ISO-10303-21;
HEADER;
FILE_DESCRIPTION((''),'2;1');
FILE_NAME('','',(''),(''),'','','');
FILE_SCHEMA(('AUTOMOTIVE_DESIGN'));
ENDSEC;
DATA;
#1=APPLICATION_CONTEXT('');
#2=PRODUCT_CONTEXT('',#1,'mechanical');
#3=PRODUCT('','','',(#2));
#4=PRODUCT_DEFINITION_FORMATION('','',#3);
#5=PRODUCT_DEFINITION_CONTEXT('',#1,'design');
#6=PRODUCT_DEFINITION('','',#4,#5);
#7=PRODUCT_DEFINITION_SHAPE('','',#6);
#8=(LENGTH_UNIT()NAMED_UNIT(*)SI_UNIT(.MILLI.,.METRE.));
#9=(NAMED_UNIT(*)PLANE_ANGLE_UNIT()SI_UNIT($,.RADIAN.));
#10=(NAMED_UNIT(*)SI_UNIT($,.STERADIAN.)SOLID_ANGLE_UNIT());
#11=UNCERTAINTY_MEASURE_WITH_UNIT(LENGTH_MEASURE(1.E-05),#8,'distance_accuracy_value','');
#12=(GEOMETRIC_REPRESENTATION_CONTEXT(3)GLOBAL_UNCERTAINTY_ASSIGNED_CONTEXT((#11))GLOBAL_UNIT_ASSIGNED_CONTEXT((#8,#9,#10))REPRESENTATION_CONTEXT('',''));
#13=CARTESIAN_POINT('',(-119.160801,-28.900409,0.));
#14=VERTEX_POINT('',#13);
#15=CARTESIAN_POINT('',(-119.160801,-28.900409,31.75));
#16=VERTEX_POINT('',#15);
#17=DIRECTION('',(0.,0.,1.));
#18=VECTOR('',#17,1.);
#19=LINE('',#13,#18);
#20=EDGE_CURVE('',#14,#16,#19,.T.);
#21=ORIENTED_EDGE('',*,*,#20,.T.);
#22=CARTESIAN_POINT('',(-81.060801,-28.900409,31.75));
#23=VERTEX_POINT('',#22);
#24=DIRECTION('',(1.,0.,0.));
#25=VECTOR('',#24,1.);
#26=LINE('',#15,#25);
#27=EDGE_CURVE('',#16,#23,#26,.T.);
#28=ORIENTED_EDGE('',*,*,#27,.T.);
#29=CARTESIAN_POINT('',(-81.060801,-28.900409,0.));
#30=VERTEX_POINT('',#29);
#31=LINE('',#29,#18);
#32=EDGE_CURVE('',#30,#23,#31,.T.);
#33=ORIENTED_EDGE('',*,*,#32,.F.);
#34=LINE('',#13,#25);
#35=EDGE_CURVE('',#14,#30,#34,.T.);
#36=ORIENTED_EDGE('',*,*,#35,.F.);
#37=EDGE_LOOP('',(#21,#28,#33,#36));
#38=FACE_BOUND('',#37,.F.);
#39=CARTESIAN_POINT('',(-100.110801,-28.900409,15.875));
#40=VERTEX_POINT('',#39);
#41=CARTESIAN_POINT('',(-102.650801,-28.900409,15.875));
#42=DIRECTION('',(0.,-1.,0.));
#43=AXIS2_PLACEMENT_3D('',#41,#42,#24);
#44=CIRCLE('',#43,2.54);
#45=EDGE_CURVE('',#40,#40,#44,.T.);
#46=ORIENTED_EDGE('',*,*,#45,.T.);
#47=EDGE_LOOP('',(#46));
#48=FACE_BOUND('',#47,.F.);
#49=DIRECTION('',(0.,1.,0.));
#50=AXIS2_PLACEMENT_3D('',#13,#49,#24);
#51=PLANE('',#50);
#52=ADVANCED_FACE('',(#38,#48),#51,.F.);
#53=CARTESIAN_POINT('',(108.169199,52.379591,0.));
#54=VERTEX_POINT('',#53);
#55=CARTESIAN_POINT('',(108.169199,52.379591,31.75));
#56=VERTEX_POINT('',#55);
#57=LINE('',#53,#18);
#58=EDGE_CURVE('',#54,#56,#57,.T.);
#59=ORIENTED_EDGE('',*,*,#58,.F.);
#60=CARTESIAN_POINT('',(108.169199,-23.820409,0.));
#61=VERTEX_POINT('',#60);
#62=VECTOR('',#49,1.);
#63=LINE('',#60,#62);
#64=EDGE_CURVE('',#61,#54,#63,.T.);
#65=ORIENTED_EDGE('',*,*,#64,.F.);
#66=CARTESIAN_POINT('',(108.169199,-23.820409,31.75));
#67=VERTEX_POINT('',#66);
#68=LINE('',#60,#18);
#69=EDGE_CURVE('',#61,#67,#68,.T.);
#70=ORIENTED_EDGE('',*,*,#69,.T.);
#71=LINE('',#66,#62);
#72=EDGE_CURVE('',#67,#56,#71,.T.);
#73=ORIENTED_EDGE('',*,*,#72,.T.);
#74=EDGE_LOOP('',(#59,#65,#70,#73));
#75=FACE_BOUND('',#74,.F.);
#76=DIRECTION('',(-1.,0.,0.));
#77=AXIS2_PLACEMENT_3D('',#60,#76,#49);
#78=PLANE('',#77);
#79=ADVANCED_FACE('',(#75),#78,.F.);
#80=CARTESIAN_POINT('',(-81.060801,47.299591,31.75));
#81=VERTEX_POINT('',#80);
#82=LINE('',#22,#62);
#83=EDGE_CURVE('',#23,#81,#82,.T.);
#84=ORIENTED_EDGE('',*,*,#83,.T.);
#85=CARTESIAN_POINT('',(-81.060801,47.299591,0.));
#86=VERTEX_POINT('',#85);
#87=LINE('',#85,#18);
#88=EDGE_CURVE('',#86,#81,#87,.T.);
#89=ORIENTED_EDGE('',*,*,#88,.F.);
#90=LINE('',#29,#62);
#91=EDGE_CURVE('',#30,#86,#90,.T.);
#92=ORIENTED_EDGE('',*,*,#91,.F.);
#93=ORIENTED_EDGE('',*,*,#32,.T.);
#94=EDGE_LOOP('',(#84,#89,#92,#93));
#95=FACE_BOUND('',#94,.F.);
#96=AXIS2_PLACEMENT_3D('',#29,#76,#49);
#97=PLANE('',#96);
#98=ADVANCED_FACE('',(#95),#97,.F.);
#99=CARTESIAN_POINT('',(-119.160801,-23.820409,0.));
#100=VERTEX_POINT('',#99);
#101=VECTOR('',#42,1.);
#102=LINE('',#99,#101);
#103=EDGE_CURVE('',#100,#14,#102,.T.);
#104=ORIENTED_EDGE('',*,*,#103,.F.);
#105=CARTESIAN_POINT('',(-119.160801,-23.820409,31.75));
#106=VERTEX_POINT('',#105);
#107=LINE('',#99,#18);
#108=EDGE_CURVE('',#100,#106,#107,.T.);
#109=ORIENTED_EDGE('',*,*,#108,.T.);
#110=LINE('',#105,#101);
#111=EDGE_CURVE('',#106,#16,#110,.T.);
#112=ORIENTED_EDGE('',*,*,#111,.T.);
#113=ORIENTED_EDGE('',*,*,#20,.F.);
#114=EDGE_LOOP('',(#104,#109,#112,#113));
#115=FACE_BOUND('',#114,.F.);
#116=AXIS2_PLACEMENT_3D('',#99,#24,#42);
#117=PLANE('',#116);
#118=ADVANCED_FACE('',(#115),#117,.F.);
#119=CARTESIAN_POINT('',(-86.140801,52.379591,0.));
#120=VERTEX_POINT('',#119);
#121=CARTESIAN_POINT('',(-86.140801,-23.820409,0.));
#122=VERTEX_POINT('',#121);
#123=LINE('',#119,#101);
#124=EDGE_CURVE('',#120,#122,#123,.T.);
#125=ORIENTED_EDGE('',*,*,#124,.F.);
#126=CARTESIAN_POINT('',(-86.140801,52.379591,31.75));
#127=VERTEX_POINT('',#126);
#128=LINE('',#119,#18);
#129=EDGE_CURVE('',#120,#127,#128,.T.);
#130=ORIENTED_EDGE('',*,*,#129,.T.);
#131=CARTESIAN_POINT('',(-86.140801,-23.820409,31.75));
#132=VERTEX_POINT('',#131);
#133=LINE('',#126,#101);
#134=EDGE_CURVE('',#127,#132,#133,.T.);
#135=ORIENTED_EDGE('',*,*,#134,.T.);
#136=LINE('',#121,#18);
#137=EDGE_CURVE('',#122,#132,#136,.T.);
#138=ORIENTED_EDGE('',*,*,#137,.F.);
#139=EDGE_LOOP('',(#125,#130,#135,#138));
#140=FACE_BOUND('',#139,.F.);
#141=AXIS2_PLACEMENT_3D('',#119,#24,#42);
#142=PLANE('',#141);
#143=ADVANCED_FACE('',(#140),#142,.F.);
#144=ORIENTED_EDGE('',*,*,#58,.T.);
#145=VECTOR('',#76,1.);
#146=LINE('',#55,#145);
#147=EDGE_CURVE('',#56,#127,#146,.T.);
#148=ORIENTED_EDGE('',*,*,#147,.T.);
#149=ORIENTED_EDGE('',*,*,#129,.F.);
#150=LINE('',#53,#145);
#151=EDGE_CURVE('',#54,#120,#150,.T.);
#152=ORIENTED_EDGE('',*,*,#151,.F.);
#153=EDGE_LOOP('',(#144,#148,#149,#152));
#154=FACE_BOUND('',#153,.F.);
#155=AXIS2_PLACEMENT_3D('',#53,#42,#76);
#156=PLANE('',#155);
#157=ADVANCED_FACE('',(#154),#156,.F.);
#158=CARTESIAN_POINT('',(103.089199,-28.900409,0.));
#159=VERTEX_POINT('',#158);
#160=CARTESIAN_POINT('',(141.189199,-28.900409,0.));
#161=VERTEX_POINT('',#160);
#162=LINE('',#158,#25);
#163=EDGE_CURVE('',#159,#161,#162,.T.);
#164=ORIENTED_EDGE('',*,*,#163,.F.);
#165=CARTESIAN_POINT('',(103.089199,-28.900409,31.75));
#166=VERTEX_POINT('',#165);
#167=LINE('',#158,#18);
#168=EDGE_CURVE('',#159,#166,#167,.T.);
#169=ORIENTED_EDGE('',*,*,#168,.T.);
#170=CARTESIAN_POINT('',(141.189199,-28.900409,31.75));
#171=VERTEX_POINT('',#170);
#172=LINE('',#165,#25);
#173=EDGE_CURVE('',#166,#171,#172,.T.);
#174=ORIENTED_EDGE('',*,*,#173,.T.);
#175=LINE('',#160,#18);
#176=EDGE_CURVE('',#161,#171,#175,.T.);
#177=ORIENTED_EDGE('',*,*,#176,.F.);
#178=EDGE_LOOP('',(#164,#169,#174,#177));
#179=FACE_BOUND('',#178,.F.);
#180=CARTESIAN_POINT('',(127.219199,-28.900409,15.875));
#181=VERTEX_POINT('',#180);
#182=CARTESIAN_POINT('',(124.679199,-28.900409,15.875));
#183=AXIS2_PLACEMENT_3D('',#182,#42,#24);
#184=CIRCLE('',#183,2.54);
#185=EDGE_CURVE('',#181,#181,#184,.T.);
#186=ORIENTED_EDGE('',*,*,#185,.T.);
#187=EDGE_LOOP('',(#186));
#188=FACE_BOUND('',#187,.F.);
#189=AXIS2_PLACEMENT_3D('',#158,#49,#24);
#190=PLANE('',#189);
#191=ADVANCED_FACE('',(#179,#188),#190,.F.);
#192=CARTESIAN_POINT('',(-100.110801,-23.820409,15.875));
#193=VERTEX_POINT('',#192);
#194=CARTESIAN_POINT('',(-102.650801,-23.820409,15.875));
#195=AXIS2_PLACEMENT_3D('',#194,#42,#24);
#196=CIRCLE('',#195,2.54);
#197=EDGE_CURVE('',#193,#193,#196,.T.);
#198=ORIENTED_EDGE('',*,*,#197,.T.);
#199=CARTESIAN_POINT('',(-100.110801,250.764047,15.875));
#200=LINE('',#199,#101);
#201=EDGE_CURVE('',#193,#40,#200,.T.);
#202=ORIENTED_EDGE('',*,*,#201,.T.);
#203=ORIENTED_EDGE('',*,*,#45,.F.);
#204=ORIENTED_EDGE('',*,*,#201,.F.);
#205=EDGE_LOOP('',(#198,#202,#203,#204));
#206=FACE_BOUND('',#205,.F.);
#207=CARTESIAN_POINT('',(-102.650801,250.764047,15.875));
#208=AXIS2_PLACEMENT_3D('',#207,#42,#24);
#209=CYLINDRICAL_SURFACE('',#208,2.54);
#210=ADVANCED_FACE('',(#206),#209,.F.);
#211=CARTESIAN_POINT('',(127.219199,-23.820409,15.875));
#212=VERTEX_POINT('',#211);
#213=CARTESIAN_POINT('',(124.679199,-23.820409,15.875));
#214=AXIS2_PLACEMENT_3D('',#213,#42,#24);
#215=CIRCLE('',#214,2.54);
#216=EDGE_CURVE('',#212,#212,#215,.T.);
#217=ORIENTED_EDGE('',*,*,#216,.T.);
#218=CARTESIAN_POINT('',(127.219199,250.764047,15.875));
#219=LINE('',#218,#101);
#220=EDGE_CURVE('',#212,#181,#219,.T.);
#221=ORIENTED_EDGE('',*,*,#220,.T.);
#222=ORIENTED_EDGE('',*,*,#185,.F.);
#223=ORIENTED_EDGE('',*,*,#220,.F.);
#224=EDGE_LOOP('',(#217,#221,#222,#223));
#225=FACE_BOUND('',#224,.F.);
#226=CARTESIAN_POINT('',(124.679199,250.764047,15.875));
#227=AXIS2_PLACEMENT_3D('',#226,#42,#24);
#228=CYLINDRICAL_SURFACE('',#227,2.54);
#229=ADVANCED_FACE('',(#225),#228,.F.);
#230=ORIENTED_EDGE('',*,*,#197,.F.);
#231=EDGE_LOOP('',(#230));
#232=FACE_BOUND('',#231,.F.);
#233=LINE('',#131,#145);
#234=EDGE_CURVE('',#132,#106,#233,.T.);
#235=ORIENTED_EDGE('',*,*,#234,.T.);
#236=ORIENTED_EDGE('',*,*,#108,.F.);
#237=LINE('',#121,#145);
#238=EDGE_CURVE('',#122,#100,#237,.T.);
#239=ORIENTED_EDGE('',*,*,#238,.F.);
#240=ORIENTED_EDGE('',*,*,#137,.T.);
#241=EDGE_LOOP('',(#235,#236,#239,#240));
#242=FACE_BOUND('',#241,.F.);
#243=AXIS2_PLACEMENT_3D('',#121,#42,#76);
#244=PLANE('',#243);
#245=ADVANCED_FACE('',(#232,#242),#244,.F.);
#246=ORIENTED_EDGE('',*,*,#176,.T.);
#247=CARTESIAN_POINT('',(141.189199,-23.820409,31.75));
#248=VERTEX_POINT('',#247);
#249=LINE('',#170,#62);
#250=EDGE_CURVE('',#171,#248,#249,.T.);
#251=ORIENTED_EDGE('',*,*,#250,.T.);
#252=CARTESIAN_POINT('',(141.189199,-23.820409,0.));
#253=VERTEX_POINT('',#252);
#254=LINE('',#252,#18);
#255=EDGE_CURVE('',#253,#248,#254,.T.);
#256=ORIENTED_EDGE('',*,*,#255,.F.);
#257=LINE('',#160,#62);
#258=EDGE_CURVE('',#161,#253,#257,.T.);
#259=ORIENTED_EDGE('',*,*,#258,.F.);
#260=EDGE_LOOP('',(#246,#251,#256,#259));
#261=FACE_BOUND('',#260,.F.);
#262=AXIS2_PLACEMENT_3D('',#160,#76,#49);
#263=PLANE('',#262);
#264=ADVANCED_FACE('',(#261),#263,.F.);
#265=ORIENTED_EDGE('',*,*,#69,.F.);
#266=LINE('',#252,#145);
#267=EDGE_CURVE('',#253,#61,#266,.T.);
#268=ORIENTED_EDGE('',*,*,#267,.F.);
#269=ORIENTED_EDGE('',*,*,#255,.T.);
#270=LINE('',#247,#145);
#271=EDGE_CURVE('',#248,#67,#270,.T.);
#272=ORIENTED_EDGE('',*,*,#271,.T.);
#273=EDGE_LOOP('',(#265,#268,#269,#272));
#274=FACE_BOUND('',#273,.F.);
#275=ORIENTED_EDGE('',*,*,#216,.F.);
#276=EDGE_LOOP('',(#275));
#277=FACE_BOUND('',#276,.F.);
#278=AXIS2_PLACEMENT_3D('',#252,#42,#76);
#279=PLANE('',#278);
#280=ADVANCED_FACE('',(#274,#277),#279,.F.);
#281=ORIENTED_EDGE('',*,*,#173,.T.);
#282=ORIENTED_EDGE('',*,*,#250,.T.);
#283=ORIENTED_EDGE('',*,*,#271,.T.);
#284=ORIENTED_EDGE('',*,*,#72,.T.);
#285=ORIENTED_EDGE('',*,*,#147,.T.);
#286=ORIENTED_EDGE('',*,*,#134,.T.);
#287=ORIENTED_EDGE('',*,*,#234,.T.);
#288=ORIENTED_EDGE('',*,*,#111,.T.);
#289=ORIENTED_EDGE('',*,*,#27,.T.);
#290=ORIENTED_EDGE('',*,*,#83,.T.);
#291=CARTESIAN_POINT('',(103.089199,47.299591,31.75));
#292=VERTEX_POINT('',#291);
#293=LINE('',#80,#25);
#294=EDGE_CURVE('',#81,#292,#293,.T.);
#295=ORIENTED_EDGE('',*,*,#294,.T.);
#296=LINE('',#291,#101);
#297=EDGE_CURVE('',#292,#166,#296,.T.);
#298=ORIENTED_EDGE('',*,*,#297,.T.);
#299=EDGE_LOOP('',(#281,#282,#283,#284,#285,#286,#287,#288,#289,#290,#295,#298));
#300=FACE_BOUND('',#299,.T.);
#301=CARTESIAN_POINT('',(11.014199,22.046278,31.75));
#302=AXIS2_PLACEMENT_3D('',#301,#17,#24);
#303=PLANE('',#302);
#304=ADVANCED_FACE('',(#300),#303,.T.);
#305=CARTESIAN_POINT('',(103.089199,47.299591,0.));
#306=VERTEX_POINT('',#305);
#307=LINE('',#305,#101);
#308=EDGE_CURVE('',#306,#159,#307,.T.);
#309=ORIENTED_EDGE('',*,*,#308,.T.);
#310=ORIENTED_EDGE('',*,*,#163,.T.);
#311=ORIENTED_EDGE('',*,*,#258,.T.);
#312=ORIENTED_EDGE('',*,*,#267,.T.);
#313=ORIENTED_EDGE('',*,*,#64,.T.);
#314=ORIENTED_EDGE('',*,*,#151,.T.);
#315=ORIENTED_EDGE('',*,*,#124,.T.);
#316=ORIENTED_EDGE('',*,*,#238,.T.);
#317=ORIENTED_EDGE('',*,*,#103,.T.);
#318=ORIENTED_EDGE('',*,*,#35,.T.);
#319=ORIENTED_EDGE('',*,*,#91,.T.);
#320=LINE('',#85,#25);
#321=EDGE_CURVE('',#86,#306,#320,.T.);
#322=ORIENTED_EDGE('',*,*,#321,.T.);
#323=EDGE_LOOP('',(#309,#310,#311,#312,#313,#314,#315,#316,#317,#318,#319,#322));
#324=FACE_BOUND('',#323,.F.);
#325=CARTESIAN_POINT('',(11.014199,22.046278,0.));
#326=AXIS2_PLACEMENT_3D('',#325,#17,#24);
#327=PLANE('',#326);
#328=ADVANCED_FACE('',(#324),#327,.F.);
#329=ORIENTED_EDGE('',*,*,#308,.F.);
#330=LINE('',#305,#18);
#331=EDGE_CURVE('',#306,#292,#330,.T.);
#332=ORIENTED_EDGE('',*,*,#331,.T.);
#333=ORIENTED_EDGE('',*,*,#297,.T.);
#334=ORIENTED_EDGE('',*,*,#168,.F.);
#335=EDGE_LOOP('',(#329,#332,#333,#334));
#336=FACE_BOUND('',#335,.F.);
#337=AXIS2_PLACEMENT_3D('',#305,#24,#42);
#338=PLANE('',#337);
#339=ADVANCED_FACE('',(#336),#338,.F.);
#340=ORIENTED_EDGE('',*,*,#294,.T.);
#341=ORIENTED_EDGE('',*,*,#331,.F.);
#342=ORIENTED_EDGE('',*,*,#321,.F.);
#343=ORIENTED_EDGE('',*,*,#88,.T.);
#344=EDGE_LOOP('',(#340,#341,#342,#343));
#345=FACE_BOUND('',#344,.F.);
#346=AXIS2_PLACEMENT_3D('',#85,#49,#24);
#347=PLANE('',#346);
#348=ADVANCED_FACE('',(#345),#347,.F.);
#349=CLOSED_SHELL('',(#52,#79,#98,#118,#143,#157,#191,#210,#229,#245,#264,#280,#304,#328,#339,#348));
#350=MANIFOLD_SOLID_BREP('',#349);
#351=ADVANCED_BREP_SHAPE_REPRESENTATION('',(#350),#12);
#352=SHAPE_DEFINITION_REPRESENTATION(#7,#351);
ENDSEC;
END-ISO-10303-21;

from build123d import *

# Parameters (mm, degrees)
F1_DEPTH = 31.75
F3_D     = 5.08
F5_D     = 5.08


with BuildPart() as f1:
    # F0 (on Top) → F1 (new body)
    with BuildSketch(Plane.XY):
        Polygon((-81.060801, -28.900409), (-81.060801, 47.299591), (103.089199, 47.299591), (103.089199, -28.900409), (141.189199, -28.900409), (141.189199, -23.820409), (108.169199, -23.820409), (108.169199, 52.379591), (-86.140801, 52.379591), (-86.140801, -23.820409), (-119.160801, -23.820409), (-119.160801, -28.900409), align=None)
    extrude(amount=F1_DEPTH)

    # F3 (through all)
    with Locations(Plane(origin=(0, -23.820409, 0), x_dir=(-1, 0, 0), z_dir=(0, 1, 0))):
        with Locations((102.650801, 15.875)):
            Hole(F3_D / 2)

    # F5 (through all)
    with Locations(Plane(origin=(0, -23.820409, 0), x_dir=(-1, 0, 0), z_dir=(0, 1, 0))):
        with Locations((-124.679199, 15.875)):
            Hole(F5_D / 2)


solid = f1.part
